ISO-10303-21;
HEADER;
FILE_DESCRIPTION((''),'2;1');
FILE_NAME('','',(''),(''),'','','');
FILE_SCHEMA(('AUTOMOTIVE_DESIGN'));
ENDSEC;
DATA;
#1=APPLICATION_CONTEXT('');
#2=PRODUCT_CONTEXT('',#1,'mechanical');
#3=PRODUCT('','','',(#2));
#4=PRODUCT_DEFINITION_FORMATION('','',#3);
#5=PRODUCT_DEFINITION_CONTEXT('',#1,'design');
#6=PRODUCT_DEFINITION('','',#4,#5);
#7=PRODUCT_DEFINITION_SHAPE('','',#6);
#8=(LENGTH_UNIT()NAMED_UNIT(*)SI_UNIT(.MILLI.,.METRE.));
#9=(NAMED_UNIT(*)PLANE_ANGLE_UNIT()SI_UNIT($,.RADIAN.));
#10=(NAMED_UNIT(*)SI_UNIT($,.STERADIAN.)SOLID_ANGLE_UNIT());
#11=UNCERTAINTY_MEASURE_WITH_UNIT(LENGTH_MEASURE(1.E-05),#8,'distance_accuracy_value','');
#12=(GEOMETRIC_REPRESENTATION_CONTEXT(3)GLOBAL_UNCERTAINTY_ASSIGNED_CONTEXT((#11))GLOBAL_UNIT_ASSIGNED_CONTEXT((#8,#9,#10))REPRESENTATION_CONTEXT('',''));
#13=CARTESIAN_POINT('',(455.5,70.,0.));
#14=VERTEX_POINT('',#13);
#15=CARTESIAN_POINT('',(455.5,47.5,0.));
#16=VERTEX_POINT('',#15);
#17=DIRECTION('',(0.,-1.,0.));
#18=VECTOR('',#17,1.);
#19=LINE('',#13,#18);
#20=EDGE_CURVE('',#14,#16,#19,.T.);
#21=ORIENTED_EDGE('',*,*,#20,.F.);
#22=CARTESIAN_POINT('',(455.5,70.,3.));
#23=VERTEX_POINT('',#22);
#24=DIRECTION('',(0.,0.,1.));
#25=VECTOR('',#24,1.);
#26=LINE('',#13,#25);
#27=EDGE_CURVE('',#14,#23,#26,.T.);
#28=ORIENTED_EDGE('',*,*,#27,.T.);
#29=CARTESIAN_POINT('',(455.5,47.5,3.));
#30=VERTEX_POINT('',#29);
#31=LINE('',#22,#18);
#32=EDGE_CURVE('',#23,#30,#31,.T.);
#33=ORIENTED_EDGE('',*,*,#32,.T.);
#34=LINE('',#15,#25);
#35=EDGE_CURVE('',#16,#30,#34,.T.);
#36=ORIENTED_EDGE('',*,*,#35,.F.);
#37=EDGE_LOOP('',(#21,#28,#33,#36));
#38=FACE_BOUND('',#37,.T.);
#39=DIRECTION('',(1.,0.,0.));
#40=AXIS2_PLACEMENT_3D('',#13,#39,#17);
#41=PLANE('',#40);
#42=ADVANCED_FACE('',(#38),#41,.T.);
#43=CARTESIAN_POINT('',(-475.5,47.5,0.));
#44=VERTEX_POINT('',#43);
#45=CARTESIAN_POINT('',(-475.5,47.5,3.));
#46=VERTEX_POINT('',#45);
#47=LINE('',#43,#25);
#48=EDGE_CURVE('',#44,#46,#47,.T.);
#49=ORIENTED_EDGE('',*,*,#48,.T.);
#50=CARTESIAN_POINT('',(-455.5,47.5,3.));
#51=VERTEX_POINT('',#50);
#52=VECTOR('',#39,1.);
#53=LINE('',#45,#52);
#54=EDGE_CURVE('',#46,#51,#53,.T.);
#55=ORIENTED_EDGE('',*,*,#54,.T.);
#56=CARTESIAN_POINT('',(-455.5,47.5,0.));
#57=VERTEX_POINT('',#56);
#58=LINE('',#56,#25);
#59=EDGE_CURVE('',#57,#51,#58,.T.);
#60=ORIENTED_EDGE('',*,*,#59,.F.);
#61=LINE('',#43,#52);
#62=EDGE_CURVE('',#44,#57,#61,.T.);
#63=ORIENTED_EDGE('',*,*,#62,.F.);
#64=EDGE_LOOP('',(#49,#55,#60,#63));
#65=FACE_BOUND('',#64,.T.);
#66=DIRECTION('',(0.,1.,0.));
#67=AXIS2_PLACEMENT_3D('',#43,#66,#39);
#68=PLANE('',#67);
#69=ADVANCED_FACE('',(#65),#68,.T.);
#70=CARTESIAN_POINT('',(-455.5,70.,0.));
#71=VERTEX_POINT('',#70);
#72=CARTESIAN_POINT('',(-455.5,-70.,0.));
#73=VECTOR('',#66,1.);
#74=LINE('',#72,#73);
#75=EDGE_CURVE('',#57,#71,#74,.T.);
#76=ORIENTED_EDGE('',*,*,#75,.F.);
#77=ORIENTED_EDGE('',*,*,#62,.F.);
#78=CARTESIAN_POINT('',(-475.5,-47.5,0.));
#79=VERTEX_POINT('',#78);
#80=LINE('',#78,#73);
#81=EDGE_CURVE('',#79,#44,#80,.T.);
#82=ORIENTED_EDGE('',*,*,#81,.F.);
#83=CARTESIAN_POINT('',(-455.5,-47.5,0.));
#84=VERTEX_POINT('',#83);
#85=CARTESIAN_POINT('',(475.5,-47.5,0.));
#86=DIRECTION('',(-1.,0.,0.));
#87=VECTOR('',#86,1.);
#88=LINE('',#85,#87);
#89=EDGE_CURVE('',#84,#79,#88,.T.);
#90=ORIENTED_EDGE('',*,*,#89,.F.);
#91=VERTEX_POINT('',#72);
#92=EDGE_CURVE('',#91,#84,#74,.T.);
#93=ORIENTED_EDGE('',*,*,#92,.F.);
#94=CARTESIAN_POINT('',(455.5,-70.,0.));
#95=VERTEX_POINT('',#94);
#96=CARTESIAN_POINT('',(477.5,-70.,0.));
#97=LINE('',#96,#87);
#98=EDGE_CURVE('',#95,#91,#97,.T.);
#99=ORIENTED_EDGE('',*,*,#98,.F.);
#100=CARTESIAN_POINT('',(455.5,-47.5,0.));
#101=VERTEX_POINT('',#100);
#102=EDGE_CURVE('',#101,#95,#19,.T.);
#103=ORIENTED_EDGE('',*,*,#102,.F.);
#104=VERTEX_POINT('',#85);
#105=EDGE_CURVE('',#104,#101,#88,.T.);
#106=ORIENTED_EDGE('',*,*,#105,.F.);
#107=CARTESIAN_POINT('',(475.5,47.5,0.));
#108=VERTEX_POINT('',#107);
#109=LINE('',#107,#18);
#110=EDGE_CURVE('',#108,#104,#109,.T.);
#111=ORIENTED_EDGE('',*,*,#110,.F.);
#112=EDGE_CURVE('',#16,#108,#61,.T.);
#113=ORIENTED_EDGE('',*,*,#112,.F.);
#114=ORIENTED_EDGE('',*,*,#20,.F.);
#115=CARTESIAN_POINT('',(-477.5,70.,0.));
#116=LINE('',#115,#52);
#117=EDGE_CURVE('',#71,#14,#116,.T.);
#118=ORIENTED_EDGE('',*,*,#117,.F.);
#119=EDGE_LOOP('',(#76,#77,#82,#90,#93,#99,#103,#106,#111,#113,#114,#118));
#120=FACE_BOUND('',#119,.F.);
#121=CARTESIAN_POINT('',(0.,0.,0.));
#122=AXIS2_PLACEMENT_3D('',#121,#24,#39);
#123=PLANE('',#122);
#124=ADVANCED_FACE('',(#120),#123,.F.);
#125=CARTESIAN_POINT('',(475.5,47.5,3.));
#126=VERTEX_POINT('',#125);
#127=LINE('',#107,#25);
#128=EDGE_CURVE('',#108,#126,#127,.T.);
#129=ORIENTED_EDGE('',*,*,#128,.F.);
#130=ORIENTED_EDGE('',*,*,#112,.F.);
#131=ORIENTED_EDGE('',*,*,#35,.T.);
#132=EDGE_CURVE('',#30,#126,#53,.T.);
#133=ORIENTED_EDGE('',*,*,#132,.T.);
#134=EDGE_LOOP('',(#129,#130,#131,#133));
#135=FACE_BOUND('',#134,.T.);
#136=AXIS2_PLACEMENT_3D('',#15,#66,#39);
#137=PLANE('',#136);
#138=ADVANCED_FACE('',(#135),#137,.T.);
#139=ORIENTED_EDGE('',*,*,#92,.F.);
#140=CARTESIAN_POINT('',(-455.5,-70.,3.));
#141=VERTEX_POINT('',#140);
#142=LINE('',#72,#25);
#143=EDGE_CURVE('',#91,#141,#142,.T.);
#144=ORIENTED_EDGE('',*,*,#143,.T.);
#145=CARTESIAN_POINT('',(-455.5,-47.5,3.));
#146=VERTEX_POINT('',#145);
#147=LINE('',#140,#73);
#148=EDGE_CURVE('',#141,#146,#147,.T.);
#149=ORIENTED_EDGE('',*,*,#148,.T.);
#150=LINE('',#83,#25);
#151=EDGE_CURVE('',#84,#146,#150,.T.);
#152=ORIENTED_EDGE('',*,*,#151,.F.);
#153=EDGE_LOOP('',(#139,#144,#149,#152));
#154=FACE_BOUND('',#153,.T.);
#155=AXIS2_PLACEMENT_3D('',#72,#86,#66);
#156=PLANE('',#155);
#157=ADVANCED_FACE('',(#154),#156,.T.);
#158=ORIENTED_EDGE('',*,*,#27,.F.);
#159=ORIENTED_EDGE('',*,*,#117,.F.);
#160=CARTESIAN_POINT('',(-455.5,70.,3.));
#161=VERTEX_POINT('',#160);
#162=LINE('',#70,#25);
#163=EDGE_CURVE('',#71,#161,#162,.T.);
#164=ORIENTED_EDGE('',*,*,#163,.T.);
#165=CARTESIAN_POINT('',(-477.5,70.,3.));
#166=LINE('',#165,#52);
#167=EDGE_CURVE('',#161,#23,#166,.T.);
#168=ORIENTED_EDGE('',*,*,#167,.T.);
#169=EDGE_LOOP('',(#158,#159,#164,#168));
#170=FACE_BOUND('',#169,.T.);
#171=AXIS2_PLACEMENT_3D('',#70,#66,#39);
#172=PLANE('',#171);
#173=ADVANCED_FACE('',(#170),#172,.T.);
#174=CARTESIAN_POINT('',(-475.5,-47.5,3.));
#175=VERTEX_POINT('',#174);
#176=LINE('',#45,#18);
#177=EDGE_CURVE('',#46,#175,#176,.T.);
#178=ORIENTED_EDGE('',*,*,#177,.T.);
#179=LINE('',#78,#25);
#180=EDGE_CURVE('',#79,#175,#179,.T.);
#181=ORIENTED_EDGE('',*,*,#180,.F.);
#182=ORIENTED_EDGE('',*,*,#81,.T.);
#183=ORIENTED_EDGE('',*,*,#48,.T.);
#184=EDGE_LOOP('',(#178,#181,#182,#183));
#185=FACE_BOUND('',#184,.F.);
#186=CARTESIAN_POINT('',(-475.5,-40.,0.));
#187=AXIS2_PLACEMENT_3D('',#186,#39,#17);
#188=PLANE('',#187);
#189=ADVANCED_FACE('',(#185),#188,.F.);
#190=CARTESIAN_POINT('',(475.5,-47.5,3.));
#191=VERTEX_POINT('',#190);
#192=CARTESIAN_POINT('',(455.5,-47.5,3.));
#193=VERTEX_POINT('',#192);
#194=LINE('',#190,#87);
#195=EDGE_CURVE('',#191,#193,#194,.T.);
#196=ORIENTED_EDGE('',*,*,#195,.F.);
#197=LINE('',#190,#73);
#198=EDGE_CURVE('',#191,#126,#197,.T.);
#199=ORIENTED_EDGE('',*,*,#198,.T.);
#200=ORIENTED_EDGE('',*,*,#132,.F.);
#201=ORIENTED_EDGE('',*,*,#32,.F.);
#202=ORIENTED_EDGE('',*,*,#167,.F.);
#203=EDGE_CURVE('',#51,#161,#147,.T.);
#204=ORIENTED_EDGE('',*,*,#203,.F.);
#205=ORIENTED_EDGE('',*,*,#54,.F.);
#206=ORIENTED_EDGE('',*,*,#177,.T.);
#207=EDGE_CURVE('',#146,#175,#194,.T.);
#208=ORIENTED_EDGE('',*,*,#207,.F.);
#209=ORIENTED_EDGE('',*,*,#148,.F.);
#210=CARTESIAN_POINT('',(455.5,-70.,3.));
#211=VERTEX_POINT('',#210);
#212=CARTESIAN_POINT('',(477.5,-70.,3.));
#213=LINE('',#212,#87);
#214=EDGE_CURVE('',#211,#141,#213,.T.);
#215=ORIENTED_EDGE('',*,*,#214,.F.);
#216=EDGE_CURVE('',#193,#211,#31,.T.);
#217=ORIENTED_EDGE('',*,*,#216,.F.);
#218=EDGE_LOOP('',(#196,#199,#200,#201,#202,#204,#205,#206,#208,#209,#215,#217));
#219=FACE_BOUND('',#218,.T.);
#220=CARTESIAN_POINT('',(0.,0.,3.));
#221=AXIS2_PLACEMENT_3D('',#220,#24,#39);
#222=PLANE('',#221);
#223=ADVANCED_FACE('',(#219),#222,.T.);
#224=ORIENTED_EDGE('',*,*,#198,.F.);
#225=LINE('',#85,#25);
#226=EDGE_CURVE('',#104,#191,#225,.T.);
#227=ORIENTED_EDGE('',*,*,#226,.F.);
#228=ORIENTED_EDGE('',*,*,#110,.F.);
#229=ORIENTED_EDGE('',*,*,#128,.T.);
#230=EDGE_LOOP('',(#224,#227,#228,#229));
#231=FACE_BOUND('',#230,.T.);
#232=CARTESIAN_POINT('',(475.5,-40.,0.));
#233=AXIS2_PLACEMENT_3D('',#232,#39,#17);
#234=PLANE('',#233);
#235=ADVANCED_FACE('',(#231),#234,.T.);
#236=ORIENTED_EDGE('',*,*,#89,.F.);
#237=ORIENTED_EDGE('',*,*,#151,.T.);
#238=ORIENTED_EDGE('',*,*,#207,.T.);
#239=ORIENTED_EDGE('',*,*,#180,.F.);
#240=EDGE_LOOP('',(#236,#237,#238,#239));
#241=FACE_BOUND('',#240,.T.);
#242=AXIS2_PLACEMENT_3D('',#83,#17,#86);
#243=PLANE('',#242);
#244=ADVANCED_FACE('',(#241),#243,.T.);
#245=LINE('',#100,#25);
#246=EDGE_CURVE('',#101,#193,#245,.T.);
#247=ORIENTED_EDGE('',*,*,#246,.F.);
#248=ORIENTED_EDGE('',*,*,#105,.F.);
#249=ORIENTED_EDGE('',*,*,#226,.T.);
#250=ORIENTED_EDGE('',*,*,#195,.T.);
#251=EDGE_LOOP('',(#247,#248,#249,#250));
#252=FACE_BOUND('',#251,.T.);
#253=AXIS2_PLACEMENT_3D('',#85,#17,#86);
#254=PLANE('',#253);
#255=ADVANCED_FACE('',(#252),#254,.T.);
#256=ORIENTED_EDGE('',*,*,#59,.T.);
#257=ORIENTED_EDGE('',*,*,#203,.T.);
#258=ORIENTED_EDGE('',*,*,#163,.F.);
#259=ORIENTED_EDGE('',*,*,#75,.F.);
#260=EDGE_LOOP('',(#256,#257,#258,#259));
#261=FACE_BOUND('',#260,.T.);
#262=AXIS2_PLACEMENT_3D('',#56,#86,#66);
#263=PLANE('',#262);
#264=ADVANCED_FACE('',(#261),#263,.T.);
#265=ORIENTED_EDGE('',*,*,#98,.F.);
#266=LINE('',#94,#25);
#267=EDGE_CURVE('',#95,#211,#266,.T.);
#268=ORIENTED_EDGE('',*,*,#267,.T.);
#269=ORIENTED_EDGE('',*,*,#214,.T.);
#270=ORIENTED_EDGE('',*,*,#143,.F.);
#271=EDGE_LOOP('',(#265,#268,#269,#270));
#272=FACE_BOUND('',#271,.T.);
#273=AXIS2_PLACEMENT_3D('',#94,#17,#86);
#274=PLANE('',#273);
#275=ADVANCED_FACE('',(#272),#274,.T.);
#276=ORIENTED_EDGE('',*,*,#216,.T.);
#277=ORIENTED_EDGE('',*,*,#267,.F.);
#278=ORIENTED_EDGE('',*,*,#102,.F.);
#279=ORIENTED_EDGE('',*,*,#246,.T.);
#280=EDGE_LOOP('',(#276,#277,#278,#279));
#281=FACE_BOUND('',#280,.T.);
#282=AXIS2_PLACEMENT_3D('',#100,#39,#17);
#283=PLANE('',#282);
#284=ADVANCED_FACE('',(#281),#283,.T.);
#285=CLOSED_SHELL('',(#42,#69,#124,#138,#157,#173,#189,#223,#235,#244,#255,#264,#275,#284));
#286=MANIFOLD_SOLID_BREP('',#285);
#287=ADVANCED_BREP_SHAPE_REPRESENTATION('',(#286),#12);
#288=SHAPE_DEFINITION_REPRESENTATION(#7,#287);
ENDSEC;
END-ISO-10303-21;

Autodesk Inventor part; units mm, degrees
ref_plane "YZ Plane" through (0, 0, 0) normal (1, 0, 0) x (0, 1, 0)
ref_plane "XZ Plane" through (0, 0, 0) normal (0, 1, 0) x (-1, 0, 0)
ref_plane "XY Plane" through (0, 0, 0) normal (0, 0, 1) x (1, 0, 0)
sketch "草图1" plane through (0, 0, 0) normal (0, 0, 1) x (1, 0, 0)
  line L0 (477.5, -70) -> (-477.5, -70)
  line L1 (-477.5, -70) -> (-477.5, 70)
  line L2 (-477.5, 70) -> (477.5, 70)
  line L3 (477.5, 70) -> (477.5, -70)
  line L4 (477.5, -70) -> (-477.5, 70) construction
  line L5 (-477.5, -70) -> (477.5, 70) construction
  line L6 (477.5, -40) -> (-477.5, -40) projected
  line L7 (477.5, 40) -> (-477.5, 40) projected
  line L8 (-457.5, 40) -> (-457.5, -40)
  line L9 (457.5, 40) -> (457.5, -40) projected
  line L10 (-455.5, -70) -> (-455.5, 70)
  line L11 (-475.5, 69.7068) -> (-475.5, -70)
  line L12 (475.5, 70) -> (475.5, -70)
  line L13 (455.5, 70) -> (455.5, -70)
  line L14 (475.5, -47.5) -> (-475.5, -47.5)
  line L15 (-475.5, -47.5) -> (-475.5, 47.5)
  line L16 (-475.5, 47.5) -> (475.5, 47.5)
  line L17 (475.5, 47.5) -> (475.5, -47.5)
  line L18 (475.5, -47.5) -> (-475.5, 47.5) construction
  line L19 (-475.5, -47.5) -> (475.5, 47.5) construction
  point P0 (0, 0)
  point P1 (457.5, -70)
  point P2 (457.5, 70)
  point P3 (-455.5, 40)
  point P4 (-455.5, -40)
  point P5 (475.5, -64)
  point P6 (475.5, 64)
  point P7 (-475.5, 40)
  point P8 (-475.5, -40)
  point P9 (455.5, -40)
  point P10 (475.5, -40)
  point P11 (475.5, 40)
  point P12 (455.5, 40)
  point P13 (455.5, -47.5)
  point P14 (475.5, 47.5)
  point P15 (455.5, 47.5)
  point P16 (-475.5, -47.5)
  point P17 (-455.5, -47.5)
  point P18 (-455.5, 47.5)
  dimension "d0" = 140
  dimension "d1" = 955
  dimension "d6" = 2
  dimension "d7" = 2
  dimension "d8" = 2
  dimension "d9" = 2
  dimension "d12" = 95
extrude "拉伸1" add sketch "草图1" along normal blind 3 contours L0 L10 L14 L13 | L14 L13 L6 L12 | L6 L9 L7 L12 | L14 L10 L6 L13 | L7 L13 L16 L12 | L6 L13 L7 L9 | L14 L11 L6 L10 | L6 L10 L7 L13 | L6 L8 L7 L10 | L7 L10 L16 L13 | L13 L16 L10 L2 | L11 L7 L8 L6 | L7 L11 L16 L10
properties part number "内板"
